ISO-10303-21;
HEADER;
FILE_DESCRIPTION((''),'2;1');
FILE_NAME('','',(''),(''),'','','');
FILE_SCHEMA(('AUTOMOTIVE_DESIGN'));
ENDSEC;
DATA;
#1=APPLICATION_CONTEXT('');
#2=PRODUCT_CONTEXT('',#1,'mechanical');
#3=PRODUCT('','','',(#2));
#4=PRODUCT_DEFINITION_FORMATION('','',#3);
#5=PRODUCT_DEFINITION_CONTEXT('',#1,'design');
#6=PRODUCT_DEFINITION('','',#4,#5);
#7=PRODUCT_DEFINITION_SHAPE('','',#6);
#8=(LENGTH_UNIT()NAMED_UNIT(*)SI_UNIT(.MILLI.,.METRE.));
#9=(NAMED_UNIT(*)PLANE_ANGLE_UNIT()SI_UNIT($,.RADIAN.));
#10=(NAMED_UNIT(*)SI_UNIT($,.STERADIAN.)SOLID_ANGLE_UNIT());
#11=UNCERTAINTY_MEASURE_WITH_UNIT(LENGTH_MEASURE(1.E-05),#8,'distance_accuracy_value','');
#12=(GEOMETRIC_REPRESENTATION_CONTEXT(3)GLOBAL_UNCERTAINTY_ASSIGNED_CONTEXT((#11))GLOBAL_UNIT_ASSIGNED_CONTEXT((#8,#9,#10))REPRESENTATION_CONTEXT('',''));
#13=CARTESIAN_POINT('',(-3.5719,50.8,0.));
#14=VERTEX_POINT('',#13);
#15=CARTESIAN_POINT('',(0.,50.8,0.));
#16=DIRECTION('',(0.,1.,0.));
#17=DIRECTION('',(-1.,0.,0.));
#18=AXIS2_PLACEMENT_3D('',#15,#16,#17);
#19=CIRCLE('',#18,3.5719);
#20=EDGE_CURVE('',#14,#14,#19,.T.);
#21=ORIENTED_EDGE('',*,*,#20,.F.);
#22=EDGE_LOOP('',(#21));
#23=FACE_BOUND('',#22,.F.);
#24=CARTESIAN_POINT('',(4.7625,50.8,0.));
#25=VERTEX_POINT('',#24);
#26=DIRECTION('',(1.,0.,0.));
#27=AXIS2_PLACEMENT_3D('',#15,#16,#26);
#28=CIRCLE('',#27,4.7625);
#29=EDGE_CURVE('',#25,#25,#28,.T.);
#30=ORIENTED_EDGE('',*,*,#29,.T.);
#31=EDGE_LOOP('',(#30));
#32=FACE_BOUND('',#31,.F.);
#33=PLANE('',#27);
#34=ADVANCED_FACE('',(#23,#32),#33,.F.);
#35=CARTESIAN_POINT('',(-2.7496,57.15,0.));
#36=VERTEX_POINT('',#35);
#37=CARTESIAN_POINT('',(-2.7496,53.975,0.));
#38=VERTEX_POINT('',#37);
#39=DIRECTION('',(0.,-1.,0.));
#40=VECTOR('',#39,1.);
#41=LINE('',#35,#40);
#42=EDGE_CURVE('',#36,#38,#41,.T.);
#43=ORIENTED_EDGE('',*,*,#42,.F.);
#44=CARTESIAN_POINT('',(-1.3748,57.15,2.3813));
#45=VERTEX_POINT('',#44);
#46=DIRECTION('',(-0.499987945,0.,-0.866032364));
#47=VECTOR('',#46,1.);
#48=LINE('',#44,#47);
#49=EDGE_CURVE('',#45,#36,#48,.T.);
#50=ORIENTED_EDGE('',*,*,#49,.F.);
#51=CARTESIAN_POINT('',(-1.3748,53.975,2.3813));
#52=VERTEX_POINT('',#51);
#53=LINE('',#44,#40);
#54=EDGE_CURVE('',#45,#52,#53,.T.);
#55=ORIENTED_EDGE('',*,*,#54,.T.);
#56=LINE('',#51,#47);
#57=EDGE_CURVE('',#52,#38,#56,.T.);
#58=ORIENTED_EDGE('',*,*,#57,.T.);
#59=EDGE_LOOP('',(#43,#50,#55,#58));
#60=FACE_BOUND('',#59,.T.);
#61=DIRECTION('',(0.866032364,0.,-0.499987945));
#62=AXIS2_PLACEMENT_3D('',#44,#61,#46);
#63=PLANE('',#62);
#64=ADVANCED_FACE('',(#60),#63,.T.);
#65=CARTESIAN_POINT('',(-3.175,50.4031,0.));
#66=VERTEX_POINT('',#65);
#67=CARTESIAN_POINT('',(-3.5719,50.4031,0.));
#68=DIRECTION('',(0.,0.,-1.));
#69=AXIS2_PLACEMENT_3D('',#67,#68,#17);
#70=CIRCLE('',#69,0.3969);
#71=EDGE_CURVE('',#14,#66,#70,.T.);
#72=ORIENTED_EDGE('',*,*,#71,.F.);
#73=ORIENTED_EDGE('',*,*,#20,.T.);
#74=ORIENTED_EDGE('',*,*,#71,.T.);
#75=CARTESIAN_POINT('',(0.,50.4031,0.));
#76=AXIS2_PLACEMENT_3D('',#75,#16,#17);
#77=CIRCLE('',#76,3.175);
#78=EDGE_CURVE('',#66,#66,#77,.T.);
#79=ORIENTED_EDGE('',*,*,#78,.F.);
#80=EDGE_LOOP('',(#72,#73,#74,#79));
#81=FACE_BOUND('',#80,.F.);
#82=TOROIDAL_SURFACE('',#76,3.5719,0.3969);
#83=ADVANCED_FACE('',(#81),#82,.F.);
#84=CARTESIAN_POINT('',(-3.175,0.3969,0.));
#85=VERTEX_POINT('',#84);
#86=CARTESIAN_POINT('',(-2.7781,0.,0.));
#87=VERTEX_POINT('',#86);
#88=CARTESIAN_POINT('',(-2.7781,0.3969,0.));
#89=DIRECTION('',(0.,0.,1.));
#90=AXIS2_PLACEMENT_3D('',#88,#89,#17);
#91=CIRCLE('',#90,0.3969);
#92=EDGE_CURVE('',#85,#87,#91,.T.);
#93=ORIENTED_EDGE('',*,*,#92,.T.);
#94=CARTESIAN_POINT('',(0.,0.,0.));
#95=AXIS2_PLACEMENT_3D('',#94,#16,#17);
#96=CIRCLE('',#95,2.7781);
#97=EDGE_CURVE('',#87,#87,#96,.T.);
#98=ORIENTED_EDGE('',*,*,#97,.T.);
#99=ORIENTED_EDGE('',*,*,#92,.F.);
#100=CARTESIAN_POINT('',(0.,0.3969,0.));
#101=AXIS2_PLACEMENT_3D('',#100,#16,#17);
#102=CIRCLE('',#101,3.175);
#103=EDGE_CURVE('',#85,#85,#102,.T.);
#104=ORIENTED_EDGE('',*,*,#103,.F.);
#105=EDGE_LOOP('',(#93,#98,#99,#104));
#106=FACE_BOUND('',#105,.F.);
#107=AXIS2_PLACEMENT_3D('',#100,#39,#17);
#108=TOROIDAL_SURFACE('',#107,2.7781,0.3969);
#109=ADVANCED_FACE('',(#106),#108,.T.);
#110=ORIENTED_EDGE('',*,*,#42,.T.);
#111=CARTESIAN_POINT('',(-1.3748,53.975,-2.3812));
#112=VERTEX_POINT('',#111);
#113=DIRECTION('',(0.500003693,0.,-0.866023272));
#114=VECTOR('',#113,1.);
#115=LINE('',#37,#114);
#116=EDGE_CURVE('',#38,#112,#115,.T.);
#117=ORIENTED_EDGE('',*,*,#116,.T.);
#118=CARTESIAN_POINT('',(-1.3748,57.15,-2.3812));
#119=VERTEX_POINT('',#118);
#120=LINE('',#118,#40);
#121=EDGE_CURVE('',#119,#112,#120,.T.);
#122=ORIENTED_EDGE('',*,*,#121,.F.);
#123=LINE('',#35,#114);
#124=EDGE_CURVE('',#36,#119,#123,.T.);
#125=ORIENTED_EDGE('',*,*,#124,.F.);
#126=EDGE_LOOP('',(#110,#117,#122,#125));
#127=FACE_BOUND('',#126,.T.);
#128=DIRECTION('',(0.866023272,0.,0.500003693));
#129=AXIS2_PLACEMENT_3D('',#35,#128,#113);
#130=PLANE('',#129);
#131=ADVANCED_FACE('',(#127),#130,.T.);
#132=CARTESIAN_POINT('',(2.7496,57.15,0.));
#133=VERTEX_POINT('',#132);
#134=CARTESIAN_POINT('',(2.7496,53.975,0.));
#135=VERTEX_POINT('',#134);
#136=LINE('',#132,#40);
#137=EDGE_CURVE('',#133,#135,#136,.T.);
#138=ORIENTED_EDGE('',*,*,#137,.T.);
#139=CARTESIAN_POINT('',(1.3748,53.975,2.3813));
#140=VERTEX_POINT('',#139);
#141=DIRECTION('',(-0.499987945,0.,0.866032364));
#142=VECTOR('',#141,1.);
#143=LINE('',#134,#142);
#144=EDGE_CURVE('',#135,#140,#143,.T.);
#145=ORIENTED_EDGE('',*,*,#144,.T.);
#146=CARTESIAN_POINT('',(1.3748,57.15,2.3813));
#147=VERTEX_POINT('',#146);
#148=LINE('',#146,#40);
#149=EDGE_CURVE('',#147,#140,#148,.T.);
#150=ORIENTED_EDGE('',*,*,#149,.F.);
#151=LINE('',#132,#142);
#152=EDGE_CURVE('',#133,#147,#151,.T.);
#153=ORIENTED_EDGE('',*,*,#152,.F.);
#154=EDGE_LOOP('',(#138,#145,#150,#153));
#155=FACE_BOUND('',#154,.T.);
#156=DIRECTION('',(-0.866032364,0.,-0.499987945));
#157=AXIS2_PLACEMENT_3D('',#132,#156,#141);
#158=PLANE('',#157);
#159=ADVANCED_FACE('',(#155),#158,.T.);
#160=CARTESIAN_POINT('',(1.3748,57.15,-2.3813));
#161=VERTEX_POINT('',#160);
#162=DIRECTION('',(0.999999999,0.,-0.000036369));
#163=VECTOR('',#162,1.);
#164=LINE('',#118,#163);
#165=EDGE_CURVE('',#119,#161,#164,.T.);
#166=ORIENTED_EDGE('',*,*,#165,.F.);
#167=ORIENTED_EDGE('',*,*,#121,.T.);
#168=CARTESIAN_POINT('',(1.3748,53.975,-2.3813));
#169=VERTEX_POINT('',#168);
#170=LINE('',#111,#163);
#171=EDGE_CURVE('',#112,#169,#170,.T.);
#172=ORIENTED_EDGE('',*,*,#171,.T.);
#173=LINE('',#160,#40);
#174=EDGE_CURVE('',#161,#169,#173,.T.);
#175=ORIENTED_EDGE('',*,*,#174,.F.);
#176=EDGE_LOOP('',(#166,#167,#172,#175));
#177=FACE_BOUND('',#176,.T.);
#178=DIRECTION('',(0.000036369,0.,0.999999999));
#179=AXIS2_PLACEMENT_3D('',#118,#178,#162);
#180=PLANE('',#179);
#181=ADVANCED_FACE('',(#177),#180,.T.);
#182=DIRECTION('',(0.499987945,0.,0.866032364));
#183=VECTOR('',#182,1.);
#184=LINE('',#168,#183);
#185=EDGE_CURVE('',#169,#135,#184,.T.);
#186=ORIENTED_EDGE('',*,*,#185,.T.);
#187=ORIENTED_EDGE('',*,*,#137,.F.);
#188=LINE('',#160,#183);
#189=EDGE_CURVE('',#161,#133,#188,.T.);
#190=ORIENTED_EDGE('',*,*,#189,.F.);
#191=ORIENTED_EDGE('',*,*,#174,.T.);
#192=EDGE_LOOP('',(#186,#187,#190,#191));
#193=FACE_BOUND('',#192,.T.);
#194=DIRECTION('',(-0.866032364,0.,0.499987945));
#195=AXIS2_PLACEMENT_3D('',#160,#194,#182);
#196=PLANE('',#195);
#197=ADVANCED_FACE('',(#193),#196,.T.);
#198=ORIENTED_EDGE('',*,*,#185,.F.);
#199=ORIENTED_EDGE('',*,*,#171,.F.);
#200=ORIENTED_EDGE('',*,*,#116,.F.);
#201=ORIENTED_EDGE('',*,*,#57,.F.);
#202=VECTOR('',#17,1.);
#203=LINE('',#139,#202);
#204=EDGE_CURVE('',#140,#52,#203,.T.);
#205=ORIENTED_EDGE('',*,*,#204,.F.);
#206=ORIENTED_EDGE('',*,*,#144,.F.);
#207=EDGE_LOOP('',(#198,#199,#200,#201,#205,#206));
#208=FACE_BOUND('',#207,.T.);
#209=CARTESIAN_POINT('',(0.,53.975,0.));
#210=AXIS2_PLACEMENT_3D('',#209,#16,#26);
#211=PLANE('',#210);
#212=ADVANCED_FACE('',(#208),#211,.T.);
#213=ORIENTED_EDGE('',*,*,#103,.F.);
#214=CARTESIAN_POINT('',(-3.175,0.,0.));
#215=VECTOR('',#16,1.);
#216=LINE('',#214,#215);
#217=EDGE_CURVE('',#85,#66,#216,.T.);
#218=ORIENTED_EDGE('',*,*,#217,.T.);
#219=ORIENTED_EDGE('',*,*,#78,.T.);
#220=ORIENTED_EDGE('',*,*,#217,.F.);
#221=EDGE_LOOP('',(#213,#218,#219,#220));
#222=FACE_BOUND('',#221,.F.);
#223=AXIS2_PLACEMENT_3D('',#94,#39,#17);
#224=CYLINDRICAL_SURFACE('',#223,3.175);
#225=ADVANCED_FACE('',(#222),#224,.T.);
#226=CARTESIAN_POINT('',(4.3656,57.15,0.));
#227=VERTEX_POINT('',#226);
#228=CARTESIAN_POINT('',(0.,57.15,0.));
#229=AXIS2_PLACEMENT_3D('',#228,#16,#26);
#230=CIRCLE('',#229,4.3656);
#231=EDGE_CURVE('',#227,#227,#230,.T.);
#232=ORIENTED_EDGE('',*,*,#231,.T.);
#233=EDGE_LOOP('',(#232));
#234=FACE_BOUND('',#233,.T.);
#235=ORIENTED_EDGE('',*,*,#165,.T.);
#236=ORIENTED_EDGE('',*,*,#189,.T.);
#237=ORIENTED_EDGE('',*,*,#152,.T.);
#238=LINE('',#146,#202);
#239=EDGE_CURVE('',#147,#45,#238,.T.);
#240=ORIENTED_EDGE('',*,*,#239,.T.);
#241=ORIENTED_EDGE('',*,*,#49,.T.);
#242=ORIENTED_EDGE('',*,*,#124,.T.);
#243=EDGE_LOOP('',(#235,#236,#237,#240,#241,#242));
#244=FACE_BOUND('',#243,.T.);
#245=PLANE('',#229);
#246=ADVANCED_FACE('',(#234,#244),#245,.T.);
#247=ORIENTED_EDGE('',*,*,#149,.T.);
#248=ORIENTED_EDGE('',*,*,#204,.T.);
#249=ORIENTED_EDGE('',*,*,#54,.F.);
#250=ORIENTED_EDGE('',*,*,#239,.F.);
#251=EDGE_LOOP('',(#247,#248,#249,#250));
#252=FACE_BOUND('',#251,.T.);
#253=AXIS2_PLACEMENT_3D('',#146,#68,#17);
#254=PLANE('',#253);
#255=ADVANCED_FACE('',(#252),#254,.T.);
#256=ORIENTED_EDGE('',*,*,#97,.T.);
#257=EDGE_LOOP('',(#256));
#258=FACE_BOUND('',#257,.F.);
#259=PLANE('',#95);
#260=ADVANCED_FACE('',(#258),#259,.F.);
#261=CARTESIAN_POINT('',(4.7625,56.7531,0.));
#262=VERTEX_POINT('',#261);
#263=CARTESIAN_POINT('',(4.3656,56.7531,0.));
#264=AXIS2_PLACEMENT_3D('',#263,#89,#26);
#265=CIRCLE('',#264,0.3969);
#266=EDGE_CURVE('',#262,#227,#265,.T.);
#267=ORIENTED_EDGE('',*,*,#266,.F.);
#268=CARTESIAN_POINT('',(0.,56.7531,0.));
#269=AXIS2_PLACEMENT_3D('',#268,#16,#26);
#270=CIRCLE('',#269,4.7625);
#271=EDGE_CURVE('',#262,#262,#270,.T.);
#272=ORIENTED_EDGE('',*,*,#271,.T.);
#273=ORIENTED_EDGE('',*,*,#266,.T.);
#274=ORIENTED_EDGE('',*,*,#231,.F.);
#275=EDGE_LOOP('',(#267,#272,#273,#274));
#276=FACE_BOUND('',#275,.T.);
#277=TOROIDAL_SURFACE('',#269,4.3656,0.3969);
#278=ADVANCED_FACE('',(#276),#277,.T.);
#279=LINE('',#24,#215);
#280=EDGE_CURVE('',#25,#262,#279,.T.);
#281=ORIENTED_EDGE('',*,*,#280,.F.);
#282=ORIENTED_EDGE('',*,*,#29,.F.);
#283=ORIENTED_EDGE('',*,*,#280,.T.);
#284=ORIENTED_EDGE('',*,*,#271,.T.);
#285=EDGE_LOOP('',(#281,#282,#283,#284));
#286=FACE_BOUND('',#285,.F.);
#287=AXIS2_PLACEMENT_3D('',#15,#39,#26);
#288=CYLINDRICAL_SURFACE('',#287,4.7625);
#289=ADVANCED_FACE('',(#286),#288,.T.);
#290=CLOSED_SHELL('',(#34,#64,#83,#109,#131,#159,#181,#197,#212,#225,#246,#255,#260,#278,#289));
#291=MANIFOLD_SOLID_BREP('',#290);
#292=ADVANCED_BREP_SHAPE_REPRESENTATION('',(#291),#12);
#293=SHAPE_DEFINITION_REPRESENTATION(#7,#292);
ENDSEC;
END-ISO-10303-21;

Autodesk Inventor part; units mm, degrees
ref_plane "YZ Plane" through (0, 0, 0) normal (1, 0, 0) x (0, 1, 0)
ref_plane "XZ Plane" through (0, 0, 0) normal (0, 1, 0) x (-1, 0, 0)
ref_plane "XY Plane" through (0, 0, 0) normal (0, 0, 1) x (1, 0, 0)
sketch "Sketch1" plane through (0, 0, 0) normal (0, 1, 0) x (-1, 0, 0)
  circle A0 centre (0, 0) radius 3.175
  dimension "d0" = 6.35
extrude "Extrusion1" add sketch "Sketch1" along normal blind 50.8
sketch "Sketch2" plane through (0, 50.8, 0) normal (0, 1, 0) x (1, 0, 0)
  circle A0 centre (0, 0) radius 3.175 projected
  circle A1 centre (0, 0) radius 4.7625
  dimension "d3" = 9.525
extrude "Extrusion2" add sketch "Sketch2" along normal blind 6.35 contours A0 | A1
sketch "Sketch3" plane through (0, 57.15, 0) normal (0, 1, 0) x (1, 0, 0)
  circle A0 centre (0, 0) radius 4.7625 projected
  line L0 (-1.3748, 2.3812) -> (1.3748, 2.3813)
  line L1 (1.3748, 2.3813) -> (2.7496, 0)
  line L2 (2.7496, 0) -> (1.3748, -2.3813)
  line L3 (1.3748, -2.3813) -> (-1.3748, -2.3813)
  line L4 (-1.3748, -2.3813) -> (-2.7496, 0)
  line L5 (-2.7496, 0) -> (-1.3748, 2.3812)
  dimension "d6" = 4.7625
extrude "Extrusion3" cut sketch "Sketch3" against normal blind 3.175 contours L0 L1 L2 L3 L4 L5
fillet "Fillet1" radius 0.3969 3 edges at (3.175, 50.8, 0) (-4.7625, 57.15, 0) (3.175, 0, 0)
properties part number "Bolt_0.25_20_2.0len_SocketHead" material "Stainless Steel, Austenitic"
